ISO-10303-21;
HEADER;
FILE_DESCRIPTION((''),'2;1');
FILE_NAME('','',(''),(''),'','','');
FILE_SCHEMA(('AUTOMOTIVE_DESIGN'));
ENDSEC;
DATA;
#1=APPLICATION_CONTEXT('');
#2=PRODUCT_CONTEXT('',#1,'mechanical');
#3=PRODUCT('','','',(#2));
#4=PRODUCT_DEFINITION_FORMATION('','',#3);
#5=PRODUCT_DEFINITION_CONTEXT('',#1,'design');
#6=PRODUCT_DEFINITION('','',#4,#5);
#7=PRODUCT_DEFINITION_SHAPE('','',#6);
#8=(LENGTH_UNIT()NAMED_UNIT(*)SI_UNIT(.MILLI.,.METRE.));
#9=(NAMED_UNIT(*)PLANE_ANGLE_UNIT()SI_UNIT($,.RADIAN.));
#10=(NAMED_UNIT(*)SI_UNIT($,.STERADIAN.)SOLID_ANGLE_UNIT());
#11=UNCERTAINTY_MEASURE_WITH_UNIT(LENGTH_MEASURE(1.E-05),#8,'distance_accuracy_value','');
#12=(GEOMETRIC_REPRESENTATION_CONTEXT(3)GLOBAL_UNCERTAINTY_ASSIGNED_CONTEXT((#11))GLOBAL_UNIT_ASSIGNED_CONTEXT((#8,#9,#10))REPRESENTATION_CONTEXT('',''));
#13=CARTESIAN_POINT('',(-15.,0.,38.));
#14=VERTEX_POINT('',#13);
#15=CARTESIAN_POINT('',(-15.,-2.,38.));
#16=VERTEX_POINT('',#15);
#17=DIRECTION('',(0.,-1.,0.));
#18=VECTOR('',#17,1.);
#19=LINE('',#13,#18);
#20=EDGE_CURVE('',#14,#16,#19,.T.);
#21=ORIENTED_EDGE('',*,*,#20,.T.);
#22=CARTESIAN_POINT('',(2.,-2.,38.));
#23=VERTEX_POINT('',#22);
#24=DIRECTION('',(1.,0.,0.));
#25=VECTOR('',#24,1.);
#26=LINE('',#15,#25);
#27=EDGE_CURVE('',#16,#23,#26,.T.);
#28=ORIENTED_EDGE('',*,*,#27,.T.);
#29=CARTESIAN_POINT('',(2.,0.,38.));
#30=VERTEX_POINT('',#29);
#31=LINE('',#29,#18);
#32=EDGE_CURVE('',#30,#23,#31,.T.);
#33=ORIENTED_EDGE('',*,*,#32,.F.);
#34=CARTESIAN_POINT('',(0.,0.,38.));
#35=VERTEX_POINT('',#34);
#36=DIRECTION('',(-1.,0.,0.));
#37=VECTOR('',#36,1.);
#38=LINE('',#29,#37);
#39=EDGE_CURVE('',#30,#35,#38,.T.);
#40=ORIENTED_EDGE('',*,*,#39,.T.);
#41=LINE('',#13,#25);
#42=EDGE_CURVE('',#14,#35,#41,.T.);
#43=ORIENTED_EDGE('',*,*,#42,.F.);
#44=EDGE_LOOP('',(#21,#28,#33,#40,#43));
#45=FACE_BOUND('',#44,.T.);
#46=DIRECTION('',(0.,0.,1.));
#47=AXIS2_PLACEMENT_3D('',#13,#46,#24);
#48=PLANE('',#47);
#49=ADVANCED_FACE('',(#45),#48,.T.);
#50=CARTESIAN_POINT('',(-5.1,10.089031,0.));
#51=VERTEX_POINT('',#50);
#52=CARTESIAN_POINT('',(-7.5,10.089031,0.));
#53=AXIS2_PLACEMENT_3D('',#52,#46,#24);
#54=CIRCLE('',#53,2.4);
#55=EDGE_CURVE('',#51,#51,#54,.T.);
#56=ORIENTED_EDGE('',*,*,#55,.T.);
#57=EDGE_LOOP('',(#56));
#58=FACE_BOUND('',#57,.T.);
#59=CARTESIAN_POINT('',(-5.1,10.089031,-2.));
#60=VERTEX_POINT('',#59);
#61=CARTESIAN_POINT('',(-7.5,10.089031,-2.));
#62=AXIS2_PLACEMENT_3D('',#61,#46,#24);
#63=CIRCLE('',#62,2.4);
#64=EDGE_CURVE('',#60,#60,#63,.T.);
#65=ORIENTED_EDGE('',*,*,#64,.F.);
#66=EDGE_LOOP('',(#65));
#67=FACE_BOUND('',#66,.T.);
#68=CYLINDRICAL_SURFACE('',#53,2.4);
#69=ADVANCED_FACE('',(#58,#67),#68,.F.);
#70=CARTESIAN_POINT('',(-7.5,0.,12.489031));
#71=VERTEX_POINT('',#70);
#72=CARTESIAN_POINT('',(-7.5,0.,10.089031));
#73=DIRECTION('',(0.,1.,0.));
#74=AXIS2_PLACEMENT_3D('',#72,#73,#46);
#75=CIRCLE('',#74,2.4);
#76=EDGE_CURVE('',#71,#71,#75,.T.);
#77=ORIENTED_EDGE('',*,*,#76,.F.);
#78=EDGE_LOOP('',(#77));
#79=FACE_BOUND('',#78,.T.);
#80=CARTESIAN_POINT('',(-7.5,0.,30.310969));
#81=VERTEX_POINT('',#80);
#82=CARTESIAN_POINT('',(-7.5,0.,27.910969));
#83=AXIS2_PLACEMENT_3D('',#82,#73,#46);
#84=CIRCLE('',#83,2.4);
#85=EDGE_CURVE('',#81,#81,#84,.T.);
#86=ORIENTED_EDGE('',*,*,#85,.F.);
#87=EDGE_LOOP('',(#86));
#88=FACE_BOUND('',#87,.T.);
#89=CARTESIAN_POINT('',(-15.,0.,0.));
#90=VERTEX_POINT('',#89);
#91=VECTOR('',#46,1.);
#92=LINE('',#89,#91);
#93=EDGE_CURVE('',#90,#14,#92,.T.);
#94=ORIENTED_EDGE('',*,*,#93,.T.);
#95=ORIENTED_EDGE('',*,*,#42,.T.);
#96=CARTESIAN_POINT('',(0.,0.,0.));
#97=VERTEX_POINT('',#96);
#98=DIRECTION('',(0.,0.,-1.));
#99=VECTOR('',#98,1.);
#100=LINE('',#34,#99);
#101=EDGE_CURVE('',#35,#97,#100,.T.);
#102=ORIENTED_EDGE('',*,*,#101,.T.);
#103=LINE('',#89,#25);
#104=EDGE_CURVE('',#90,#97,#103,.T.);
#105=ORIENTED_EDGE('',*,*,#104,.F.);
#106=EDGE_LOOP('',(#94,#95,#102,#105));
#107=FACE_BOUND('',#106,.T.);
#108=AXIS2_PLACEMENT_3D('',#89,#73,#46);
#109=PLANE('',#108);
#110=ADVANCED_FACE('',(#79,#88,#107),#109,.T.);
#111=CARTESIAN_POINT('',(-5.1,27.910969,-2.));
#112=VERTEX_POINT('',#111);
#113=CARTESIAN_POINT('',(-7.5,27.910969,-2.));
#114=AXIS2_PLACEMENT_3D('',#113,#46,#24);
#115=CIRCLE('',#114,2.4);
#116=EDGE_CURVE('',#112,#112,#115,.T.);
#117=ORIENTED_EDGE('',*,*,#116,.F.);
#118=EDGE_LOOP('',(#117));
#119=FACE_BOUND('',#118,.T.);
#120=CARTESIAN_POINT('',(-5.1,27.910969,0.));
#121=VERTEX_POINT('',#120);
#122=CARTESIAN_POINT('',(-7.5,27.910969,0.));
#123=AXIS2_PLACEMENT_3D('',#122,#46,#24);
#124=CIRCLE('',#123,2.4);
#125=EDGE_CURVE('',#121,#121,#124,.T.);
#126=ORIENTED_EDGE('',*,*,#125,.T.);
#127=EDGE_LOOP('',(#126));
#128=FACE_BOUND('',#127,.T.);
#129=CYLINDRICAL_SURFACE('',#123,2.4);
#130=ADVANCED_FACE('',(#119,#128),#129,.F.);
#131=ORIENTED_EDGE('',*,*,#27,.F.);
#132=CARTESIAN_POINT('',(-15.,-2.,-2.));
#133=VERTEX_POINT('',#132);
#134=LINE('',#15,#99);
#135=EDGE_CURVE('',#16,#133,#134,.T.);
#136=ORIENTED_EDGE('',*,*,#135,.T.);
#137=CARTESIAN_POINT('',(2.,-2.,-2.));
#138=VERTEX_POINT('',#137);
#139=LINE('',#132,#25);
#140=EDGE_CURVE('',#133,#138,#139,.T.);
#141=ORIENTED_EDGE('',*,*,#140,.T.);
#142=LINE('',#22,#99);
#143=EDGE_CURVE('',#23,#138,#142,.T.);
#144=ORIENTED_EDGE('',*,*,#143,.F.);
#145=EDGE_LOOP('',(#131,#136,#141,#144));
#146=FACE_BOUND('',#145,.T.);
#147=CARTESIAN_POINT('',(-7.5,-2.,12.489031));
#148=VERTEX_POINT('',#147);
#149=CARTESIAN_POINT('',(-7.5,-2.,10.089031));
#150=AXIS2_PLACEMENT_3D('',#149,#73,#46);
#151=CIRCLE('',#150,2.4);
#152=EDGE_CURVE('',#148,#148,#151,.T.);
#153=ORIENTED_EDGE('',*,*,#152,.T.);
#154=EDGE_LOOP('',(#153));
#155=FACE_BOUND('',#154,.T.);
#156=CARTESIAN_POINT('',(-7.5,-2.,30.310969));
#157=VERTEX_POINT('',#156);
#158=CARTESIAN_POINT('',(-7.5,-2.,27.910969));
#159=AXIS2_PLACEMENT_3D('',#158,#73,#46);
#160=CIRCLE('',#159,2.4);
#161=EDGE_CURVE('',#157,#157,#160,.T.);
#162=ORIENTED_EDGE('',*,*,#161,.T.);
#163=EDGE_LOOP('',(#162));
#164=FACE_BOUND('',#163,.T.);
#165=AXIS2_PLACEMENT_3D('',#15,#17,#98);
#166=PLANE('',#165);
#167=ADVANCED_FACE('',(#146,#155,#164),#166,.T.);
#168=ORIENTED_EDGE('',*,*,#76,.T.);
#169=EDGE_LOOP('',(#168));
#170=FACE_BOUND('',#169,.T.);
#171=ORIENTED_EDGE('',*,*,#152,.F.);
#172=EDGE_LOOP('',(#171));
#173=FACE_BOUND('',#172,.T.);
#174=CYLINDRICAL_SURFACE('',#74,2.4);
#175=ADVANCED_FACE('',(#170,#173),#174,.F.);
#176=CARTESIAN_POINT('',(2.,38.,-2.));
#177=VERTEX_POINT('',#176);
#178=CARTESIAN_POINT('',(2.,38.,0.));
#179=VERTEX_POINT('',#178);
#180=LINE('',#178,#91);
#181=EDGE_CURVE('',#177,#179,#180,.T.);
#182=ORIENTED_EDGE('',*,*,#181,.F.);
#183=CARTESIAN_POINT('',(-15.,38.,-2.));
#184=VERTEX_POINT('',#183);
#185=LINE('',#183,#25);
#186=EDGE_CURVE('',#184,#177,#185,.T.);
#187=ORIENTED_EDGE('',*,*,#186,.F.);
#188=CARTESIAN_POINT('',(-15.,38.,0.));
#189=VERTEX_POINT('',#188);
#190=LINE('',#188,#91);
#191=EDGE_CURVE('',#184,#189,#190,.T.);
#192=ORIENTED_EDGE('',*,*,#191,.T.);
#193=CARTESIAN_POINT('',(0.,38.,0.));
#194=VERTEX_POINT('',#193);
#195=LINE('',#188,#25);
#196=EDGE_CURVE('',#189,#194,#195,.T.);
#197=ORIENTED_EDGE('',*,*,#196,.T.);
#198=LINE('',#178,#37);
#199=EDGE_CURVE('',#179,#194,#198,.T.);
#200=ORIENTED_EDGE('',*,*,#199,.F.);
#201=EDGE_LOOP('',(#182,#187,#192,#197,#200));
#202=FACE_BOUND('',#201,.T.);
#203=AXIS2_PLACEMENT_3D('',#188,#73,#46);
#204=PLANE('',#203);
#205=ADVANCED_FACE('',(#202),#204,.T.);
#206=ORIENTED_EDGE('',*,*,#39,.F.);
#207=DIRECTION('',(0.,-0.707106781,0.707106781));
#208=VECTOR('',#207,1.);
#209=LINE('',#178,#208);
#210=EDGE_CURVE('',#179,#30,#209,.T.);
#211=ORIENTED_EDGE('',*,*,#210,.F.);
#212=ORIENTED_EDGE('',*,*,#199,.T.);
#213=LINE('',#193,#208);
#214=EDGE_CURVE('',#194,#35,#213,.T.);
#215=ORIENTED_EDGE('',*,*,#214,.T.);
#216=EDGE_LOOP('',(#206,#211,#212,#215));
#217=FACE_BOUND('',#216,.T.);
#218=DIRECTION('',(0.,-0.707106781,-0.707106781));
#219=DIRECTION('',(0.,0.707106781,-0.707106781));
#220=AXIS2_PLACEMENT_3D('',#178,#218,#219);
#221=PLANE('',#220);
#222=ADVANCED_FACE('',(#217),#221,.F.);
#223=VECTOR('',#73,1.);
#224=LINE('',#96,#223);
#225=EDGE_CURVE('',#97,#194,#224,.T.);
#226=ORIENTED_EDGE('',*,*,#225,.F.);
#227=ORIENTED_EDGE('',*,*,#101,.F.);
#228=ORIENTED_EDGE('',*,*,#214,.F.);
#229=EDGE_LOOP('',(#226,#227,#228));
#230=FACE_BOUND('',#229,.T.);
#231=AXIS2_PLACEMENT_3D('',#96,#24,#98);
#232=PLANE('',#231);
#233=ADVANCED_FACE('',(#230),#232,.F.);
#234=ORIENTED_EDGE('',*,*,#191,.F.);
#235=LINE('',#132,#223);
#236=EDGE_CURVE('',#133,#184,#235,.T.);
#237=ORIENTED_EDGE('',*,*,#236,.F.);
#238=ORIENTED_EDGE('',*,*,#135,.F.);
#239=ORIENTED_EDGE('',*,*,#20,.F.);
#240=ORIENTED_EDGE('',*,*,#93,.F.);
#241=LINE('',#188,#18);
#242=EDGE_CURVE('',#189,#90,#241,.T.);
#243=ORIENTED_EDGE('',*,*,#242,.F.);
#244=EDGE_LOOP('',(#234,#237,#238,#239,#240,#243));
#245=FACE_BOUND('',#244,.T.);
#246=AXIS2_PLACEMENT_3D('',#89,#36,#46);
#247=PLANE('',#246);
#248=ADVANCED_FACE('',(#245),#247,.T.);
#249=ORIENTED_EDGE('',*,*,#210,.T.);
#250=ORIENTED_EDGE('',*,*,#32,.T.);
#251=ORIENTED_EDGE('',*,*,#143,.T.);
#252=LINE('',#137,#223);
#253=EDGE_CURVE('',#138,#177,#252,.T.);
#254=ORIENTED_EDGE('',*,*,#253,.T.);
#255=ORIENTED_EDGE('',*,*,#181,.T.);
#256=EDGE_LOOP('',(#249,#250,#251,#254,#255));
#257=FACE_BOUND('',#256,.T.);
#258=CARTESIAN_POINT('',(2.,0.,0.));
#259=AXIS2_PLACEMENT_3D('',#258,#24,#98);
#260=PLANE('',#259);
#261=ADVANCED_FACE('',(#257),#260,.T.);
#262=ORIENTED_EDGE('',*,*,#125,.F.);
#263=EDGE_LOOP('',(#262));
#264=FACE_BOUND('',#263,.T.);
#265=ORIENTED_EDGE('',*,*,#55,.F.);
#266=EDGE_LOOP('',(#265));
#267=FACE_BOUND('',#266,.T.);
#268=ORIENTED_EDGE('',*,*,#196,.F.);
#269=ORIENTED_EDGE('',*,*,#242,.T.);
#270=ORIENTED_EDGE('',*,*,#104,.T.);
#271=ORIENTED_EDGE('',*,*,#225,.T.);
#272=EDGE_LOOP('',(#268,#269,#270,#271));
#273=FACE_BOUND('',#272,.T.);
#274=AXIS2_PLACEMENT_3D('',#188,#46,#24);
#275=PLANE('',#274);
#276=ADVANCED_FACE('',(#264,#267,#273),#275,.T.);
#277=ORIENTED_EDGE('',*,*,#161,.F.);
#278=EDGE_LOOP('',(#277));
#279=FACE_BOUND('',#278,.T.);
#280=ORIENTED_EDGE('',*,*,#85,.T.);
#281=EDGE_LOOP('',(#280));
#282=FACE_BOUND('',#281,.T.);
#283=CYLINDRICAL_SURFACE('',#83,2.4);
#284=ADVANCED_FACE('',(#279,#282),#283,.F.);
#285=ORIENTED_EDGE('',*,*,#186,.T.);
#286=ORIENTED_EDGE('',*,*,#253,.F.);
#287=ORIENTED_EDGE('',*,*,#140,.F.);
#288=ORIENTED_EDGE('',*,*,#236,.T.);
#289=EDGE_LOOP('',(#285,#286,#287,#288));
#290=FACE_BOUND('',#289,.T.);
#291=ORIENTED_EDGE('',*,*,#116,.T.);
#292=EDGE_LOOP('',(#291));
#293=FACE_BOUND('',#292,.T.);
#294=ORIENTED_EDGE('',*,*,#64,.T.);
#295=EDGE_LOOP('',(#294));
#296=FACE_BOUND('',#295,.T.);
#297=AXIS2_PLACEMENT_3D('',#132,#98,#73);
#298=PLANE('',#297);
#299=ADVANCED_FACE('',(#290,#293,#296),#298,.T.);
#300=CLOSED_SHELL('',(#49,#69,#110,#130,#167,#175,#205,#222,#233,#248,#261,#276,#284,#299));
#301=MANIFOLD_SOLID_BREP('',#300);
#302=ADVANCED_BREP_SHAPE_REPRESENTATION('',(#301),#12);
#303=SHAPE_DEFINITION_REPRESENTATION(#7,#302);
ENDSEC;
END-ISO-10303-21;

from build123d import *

# Parameters (mm, degrees)
BOSS_EXTRUDE1_DEPTH      = 2
BOSS_EXTRUDE2_DEPTH      = 17
SKETCH3_R                = 2.1
M4_CLEARANCE_HOLE1_D     = 4.8
M4_CLEARANCE_HOLE1_DEPTH = 2
M4_CLEARANCE_HOLE2_D     = 4.8
M4_CLEARANCE_HOLE2_DEPTH = 2


with BuildPart() as part:
    # Sketch1 → Boss-Extrude1 (new body)
    with BuildSketch(Plane(origin=(0, 0, 0), x_dir=(0, 0, -1), z_dir=(1, 0, 0))):
        Polygon((-38, 0), (0, 0), (0, 38), align=None)
    extrude(amount=BOSS_EXTRUDE1_DEPTH)

    # Sketch2 → Boss-Extrude2 (add)
    with BuildSketch(Plane(origin=(2, 0, 0), x_dir=(0, 0, -1), z_dir=(1, 0, 0))):
        Polygon((0, 38), (2, 38), (2, -2), (-38, -2), (-38, 0), (0, 0), align=None)
    extrude(amount=-BOSS_EXTRUDE2_DEPTH)

    # Sketch3 → Cut-Revolve1 (revolve, cut)
    with BuildSketch(Plane(origin=(0, 0, 0), x_dir=(1, 0, 0), z_dir=(0, 1, 0))):
        with Locations((-7.5, -10.089030863)):
            Circle(SKETCH3_R)
        with Locations((-7.5, -27.910969137)):
            Circle(SKETCH3_R)
    revolve(axis=Axis((-15, 0, 0), (1, 0, 0)), mode=Mode.SUBTRACT)

    # M4 Clearance Hole1
    with Locations(Plane.XY):
        with Locations((-7.5, 27.910969137), (-7.5, 10.089030863)):
            Hole(M4_CLEARANCE_HOLE1_D / 2, depth=M4_CLEARANCE_HOLE1_DEPTH)

    # M4 Clearance Hole2
    with Locations(Plane(origin=(0, 0, 0), x_dir=(1, 0, 0), z_dir=(0, 1, 0))):
        with Locations((-7.5, -10.089030863), (-7.5, -27.910969137)):
            Hole(M4_CLEARANCE_HOLE2_D / 2, depth=M4_CLEARANCE_HOLE2_DEPTH)


solid = part.part
